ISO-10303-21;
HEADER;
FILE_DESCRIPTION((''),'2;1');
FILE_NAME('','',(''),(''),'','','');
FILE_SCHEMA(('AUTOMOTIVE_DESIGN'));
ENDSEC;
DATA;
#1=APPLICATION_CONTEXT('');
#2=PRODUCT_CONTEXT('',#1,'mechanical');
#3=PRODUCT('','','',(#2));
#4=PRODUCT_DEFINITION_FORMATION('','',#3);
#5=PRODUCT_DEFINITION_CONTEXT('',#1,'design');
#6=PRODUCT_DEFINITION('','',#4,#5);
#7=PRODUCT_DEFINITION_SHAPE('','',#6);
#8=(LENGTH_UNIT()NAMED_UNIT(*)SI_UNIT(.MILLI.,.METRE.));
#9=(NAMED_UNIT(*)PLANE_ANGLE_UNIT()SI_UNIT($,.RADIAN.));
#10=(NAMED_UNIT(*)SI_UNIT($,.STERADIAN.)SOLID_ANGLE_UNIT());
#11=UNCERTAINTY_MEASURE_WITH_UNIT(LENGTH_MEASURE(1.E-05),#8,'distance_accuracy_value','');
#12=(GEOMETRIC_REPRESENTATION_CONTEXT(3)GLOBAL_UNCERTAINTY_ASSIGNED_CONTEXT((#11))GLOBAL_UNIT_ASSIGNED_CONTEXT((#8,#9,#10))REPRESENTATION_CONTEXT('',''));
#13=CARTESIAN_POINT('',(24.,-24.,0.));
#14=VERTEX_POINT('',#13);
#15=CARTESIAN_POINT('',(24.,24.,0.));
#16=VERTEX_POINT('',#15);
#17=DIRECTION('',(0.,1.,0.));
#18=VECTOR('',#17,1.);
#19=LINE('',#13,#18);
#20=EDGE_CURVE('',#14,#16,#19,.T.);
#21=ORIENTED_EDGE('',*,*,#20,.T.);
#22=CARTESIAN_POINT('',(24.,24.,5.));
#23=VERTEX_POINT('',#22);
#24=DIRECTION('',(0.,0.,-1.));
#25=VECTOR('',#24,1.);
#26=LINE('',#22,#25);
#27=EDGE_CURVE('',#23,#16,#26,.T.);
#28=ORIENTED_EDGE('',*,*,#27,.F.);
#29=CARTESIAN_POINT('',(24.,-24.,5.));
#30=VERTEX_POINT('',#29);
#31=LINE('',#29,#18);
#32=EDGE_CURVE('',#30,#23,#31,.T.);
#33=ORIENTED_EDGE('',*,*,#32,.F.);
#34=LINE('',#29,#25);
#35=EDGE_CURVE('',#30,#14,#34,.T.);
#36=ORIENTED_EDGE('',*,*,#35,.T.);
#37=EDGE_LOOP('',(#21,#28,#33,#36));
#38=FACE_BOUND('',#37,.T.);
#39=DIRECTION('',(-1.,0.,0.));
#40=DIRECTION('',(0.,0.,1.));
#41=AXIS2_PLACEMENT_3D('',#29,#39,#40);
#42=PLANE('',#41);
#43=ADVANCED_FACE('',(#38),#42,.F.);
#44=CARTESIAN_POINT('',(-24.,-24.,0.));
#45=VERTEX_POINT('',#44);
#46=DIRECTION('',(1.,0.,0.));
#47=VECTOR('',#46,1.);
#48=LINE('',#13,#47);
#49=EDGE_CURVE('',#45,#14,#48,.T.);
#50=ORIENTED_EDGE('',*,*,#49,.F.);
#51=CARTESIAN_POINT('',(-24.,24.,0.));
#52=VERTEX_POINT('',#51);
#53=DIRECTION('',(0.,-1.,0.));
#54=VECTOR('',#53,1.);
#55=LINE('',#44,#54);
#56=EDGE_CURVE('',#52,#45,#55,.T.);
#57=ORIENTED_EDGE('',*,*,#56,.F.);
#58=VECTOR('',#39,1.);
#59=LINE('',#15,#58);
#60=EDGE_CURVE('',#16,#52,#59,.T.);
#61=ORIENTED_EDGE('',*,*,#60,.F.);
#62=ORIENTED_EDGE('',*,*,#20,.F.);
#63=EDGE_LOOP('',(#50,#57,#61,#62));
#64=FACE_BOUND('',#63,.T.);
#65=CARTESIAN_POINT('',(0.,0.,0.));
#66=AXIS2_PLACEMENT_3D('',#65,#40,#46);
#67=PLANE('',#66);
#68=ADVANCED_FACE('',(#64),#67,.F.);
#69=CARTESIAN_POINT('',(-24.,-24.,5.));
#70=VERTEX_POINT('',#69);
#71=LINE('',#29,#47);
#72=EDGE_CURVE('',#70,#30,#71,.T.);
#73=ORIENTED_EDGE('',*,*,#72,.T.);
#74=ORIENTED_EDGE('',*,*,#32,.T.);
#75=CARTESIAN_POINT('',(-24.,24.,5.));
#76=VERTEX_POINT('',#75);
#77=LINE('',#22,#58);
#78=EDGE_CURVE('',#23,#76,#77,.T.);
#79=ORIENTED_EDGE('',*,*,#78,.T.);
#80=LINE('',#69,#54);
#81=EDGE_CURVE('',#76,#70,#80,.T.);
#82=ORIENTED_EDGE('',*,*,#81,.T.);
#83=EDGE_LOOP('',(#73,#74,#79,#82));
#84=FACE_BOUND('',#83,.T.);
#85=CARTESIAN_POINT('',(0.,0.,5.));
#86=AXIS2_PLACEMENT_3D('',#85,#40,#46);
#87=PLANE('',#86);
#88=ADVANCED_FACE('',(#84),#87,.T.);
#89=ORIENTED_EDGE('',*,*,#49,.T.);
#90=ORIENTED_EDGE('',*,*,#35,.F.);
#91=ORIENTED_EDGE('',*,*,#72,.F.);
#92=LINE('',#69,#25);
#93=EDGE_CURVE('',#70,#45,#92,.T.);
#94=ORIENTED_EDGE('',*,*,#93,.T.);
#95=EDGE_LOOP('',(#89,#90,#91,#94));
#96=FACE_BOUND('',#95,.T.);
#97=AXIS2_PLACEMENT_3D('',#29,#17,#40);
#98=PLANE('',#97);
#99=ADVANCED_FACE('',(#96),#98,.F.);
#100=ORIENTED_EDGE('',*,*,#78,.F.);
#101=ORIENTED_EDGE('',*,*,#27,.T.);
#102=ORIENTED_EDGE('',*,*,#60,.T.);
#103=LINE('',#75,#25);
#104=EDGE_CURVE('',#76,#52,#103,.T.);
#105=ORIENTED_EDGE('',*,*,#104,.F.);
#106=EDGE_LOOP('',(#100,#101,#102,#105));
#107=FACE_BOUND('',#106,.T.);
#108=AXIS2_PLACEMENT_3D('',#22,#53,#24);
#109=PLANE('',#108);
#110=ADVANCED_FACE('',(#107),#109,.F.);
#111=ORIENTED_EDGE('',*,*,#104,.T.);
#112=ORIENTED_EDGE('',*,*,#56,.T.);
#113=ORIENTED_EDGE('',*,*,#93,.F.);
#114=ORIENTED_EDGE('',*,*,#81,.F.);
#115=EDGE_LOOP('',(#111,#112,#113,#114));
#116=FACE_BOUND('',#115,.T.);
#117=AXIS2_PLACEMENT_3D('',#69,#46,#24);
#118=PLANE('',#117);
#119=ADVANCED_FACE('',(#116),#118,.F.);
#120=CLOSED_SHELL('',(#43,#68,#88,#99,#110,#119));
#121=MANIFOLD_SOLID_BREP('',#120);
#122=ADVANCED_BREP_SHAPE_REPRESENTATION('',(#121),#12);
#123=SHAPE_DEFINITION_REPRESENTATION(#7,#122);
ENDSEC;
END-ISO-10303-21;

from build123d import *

# Parameters (mm, degrees)
SKETCH1_W           = 48
SKETCH1_H           = 48
BOSS_EXTRUDE1_DEPTH = 5


with BuildPart() as part:
    # Sketch1 → Boss-Extrude1 (new body)
    with BuildSketch(Plane.XY):
        Rectangle(SKETCH1_W, SKETCH1_H)
    extrude(amount=BOSS_EXTRUDE1_DEPTH)


solid = part.part
